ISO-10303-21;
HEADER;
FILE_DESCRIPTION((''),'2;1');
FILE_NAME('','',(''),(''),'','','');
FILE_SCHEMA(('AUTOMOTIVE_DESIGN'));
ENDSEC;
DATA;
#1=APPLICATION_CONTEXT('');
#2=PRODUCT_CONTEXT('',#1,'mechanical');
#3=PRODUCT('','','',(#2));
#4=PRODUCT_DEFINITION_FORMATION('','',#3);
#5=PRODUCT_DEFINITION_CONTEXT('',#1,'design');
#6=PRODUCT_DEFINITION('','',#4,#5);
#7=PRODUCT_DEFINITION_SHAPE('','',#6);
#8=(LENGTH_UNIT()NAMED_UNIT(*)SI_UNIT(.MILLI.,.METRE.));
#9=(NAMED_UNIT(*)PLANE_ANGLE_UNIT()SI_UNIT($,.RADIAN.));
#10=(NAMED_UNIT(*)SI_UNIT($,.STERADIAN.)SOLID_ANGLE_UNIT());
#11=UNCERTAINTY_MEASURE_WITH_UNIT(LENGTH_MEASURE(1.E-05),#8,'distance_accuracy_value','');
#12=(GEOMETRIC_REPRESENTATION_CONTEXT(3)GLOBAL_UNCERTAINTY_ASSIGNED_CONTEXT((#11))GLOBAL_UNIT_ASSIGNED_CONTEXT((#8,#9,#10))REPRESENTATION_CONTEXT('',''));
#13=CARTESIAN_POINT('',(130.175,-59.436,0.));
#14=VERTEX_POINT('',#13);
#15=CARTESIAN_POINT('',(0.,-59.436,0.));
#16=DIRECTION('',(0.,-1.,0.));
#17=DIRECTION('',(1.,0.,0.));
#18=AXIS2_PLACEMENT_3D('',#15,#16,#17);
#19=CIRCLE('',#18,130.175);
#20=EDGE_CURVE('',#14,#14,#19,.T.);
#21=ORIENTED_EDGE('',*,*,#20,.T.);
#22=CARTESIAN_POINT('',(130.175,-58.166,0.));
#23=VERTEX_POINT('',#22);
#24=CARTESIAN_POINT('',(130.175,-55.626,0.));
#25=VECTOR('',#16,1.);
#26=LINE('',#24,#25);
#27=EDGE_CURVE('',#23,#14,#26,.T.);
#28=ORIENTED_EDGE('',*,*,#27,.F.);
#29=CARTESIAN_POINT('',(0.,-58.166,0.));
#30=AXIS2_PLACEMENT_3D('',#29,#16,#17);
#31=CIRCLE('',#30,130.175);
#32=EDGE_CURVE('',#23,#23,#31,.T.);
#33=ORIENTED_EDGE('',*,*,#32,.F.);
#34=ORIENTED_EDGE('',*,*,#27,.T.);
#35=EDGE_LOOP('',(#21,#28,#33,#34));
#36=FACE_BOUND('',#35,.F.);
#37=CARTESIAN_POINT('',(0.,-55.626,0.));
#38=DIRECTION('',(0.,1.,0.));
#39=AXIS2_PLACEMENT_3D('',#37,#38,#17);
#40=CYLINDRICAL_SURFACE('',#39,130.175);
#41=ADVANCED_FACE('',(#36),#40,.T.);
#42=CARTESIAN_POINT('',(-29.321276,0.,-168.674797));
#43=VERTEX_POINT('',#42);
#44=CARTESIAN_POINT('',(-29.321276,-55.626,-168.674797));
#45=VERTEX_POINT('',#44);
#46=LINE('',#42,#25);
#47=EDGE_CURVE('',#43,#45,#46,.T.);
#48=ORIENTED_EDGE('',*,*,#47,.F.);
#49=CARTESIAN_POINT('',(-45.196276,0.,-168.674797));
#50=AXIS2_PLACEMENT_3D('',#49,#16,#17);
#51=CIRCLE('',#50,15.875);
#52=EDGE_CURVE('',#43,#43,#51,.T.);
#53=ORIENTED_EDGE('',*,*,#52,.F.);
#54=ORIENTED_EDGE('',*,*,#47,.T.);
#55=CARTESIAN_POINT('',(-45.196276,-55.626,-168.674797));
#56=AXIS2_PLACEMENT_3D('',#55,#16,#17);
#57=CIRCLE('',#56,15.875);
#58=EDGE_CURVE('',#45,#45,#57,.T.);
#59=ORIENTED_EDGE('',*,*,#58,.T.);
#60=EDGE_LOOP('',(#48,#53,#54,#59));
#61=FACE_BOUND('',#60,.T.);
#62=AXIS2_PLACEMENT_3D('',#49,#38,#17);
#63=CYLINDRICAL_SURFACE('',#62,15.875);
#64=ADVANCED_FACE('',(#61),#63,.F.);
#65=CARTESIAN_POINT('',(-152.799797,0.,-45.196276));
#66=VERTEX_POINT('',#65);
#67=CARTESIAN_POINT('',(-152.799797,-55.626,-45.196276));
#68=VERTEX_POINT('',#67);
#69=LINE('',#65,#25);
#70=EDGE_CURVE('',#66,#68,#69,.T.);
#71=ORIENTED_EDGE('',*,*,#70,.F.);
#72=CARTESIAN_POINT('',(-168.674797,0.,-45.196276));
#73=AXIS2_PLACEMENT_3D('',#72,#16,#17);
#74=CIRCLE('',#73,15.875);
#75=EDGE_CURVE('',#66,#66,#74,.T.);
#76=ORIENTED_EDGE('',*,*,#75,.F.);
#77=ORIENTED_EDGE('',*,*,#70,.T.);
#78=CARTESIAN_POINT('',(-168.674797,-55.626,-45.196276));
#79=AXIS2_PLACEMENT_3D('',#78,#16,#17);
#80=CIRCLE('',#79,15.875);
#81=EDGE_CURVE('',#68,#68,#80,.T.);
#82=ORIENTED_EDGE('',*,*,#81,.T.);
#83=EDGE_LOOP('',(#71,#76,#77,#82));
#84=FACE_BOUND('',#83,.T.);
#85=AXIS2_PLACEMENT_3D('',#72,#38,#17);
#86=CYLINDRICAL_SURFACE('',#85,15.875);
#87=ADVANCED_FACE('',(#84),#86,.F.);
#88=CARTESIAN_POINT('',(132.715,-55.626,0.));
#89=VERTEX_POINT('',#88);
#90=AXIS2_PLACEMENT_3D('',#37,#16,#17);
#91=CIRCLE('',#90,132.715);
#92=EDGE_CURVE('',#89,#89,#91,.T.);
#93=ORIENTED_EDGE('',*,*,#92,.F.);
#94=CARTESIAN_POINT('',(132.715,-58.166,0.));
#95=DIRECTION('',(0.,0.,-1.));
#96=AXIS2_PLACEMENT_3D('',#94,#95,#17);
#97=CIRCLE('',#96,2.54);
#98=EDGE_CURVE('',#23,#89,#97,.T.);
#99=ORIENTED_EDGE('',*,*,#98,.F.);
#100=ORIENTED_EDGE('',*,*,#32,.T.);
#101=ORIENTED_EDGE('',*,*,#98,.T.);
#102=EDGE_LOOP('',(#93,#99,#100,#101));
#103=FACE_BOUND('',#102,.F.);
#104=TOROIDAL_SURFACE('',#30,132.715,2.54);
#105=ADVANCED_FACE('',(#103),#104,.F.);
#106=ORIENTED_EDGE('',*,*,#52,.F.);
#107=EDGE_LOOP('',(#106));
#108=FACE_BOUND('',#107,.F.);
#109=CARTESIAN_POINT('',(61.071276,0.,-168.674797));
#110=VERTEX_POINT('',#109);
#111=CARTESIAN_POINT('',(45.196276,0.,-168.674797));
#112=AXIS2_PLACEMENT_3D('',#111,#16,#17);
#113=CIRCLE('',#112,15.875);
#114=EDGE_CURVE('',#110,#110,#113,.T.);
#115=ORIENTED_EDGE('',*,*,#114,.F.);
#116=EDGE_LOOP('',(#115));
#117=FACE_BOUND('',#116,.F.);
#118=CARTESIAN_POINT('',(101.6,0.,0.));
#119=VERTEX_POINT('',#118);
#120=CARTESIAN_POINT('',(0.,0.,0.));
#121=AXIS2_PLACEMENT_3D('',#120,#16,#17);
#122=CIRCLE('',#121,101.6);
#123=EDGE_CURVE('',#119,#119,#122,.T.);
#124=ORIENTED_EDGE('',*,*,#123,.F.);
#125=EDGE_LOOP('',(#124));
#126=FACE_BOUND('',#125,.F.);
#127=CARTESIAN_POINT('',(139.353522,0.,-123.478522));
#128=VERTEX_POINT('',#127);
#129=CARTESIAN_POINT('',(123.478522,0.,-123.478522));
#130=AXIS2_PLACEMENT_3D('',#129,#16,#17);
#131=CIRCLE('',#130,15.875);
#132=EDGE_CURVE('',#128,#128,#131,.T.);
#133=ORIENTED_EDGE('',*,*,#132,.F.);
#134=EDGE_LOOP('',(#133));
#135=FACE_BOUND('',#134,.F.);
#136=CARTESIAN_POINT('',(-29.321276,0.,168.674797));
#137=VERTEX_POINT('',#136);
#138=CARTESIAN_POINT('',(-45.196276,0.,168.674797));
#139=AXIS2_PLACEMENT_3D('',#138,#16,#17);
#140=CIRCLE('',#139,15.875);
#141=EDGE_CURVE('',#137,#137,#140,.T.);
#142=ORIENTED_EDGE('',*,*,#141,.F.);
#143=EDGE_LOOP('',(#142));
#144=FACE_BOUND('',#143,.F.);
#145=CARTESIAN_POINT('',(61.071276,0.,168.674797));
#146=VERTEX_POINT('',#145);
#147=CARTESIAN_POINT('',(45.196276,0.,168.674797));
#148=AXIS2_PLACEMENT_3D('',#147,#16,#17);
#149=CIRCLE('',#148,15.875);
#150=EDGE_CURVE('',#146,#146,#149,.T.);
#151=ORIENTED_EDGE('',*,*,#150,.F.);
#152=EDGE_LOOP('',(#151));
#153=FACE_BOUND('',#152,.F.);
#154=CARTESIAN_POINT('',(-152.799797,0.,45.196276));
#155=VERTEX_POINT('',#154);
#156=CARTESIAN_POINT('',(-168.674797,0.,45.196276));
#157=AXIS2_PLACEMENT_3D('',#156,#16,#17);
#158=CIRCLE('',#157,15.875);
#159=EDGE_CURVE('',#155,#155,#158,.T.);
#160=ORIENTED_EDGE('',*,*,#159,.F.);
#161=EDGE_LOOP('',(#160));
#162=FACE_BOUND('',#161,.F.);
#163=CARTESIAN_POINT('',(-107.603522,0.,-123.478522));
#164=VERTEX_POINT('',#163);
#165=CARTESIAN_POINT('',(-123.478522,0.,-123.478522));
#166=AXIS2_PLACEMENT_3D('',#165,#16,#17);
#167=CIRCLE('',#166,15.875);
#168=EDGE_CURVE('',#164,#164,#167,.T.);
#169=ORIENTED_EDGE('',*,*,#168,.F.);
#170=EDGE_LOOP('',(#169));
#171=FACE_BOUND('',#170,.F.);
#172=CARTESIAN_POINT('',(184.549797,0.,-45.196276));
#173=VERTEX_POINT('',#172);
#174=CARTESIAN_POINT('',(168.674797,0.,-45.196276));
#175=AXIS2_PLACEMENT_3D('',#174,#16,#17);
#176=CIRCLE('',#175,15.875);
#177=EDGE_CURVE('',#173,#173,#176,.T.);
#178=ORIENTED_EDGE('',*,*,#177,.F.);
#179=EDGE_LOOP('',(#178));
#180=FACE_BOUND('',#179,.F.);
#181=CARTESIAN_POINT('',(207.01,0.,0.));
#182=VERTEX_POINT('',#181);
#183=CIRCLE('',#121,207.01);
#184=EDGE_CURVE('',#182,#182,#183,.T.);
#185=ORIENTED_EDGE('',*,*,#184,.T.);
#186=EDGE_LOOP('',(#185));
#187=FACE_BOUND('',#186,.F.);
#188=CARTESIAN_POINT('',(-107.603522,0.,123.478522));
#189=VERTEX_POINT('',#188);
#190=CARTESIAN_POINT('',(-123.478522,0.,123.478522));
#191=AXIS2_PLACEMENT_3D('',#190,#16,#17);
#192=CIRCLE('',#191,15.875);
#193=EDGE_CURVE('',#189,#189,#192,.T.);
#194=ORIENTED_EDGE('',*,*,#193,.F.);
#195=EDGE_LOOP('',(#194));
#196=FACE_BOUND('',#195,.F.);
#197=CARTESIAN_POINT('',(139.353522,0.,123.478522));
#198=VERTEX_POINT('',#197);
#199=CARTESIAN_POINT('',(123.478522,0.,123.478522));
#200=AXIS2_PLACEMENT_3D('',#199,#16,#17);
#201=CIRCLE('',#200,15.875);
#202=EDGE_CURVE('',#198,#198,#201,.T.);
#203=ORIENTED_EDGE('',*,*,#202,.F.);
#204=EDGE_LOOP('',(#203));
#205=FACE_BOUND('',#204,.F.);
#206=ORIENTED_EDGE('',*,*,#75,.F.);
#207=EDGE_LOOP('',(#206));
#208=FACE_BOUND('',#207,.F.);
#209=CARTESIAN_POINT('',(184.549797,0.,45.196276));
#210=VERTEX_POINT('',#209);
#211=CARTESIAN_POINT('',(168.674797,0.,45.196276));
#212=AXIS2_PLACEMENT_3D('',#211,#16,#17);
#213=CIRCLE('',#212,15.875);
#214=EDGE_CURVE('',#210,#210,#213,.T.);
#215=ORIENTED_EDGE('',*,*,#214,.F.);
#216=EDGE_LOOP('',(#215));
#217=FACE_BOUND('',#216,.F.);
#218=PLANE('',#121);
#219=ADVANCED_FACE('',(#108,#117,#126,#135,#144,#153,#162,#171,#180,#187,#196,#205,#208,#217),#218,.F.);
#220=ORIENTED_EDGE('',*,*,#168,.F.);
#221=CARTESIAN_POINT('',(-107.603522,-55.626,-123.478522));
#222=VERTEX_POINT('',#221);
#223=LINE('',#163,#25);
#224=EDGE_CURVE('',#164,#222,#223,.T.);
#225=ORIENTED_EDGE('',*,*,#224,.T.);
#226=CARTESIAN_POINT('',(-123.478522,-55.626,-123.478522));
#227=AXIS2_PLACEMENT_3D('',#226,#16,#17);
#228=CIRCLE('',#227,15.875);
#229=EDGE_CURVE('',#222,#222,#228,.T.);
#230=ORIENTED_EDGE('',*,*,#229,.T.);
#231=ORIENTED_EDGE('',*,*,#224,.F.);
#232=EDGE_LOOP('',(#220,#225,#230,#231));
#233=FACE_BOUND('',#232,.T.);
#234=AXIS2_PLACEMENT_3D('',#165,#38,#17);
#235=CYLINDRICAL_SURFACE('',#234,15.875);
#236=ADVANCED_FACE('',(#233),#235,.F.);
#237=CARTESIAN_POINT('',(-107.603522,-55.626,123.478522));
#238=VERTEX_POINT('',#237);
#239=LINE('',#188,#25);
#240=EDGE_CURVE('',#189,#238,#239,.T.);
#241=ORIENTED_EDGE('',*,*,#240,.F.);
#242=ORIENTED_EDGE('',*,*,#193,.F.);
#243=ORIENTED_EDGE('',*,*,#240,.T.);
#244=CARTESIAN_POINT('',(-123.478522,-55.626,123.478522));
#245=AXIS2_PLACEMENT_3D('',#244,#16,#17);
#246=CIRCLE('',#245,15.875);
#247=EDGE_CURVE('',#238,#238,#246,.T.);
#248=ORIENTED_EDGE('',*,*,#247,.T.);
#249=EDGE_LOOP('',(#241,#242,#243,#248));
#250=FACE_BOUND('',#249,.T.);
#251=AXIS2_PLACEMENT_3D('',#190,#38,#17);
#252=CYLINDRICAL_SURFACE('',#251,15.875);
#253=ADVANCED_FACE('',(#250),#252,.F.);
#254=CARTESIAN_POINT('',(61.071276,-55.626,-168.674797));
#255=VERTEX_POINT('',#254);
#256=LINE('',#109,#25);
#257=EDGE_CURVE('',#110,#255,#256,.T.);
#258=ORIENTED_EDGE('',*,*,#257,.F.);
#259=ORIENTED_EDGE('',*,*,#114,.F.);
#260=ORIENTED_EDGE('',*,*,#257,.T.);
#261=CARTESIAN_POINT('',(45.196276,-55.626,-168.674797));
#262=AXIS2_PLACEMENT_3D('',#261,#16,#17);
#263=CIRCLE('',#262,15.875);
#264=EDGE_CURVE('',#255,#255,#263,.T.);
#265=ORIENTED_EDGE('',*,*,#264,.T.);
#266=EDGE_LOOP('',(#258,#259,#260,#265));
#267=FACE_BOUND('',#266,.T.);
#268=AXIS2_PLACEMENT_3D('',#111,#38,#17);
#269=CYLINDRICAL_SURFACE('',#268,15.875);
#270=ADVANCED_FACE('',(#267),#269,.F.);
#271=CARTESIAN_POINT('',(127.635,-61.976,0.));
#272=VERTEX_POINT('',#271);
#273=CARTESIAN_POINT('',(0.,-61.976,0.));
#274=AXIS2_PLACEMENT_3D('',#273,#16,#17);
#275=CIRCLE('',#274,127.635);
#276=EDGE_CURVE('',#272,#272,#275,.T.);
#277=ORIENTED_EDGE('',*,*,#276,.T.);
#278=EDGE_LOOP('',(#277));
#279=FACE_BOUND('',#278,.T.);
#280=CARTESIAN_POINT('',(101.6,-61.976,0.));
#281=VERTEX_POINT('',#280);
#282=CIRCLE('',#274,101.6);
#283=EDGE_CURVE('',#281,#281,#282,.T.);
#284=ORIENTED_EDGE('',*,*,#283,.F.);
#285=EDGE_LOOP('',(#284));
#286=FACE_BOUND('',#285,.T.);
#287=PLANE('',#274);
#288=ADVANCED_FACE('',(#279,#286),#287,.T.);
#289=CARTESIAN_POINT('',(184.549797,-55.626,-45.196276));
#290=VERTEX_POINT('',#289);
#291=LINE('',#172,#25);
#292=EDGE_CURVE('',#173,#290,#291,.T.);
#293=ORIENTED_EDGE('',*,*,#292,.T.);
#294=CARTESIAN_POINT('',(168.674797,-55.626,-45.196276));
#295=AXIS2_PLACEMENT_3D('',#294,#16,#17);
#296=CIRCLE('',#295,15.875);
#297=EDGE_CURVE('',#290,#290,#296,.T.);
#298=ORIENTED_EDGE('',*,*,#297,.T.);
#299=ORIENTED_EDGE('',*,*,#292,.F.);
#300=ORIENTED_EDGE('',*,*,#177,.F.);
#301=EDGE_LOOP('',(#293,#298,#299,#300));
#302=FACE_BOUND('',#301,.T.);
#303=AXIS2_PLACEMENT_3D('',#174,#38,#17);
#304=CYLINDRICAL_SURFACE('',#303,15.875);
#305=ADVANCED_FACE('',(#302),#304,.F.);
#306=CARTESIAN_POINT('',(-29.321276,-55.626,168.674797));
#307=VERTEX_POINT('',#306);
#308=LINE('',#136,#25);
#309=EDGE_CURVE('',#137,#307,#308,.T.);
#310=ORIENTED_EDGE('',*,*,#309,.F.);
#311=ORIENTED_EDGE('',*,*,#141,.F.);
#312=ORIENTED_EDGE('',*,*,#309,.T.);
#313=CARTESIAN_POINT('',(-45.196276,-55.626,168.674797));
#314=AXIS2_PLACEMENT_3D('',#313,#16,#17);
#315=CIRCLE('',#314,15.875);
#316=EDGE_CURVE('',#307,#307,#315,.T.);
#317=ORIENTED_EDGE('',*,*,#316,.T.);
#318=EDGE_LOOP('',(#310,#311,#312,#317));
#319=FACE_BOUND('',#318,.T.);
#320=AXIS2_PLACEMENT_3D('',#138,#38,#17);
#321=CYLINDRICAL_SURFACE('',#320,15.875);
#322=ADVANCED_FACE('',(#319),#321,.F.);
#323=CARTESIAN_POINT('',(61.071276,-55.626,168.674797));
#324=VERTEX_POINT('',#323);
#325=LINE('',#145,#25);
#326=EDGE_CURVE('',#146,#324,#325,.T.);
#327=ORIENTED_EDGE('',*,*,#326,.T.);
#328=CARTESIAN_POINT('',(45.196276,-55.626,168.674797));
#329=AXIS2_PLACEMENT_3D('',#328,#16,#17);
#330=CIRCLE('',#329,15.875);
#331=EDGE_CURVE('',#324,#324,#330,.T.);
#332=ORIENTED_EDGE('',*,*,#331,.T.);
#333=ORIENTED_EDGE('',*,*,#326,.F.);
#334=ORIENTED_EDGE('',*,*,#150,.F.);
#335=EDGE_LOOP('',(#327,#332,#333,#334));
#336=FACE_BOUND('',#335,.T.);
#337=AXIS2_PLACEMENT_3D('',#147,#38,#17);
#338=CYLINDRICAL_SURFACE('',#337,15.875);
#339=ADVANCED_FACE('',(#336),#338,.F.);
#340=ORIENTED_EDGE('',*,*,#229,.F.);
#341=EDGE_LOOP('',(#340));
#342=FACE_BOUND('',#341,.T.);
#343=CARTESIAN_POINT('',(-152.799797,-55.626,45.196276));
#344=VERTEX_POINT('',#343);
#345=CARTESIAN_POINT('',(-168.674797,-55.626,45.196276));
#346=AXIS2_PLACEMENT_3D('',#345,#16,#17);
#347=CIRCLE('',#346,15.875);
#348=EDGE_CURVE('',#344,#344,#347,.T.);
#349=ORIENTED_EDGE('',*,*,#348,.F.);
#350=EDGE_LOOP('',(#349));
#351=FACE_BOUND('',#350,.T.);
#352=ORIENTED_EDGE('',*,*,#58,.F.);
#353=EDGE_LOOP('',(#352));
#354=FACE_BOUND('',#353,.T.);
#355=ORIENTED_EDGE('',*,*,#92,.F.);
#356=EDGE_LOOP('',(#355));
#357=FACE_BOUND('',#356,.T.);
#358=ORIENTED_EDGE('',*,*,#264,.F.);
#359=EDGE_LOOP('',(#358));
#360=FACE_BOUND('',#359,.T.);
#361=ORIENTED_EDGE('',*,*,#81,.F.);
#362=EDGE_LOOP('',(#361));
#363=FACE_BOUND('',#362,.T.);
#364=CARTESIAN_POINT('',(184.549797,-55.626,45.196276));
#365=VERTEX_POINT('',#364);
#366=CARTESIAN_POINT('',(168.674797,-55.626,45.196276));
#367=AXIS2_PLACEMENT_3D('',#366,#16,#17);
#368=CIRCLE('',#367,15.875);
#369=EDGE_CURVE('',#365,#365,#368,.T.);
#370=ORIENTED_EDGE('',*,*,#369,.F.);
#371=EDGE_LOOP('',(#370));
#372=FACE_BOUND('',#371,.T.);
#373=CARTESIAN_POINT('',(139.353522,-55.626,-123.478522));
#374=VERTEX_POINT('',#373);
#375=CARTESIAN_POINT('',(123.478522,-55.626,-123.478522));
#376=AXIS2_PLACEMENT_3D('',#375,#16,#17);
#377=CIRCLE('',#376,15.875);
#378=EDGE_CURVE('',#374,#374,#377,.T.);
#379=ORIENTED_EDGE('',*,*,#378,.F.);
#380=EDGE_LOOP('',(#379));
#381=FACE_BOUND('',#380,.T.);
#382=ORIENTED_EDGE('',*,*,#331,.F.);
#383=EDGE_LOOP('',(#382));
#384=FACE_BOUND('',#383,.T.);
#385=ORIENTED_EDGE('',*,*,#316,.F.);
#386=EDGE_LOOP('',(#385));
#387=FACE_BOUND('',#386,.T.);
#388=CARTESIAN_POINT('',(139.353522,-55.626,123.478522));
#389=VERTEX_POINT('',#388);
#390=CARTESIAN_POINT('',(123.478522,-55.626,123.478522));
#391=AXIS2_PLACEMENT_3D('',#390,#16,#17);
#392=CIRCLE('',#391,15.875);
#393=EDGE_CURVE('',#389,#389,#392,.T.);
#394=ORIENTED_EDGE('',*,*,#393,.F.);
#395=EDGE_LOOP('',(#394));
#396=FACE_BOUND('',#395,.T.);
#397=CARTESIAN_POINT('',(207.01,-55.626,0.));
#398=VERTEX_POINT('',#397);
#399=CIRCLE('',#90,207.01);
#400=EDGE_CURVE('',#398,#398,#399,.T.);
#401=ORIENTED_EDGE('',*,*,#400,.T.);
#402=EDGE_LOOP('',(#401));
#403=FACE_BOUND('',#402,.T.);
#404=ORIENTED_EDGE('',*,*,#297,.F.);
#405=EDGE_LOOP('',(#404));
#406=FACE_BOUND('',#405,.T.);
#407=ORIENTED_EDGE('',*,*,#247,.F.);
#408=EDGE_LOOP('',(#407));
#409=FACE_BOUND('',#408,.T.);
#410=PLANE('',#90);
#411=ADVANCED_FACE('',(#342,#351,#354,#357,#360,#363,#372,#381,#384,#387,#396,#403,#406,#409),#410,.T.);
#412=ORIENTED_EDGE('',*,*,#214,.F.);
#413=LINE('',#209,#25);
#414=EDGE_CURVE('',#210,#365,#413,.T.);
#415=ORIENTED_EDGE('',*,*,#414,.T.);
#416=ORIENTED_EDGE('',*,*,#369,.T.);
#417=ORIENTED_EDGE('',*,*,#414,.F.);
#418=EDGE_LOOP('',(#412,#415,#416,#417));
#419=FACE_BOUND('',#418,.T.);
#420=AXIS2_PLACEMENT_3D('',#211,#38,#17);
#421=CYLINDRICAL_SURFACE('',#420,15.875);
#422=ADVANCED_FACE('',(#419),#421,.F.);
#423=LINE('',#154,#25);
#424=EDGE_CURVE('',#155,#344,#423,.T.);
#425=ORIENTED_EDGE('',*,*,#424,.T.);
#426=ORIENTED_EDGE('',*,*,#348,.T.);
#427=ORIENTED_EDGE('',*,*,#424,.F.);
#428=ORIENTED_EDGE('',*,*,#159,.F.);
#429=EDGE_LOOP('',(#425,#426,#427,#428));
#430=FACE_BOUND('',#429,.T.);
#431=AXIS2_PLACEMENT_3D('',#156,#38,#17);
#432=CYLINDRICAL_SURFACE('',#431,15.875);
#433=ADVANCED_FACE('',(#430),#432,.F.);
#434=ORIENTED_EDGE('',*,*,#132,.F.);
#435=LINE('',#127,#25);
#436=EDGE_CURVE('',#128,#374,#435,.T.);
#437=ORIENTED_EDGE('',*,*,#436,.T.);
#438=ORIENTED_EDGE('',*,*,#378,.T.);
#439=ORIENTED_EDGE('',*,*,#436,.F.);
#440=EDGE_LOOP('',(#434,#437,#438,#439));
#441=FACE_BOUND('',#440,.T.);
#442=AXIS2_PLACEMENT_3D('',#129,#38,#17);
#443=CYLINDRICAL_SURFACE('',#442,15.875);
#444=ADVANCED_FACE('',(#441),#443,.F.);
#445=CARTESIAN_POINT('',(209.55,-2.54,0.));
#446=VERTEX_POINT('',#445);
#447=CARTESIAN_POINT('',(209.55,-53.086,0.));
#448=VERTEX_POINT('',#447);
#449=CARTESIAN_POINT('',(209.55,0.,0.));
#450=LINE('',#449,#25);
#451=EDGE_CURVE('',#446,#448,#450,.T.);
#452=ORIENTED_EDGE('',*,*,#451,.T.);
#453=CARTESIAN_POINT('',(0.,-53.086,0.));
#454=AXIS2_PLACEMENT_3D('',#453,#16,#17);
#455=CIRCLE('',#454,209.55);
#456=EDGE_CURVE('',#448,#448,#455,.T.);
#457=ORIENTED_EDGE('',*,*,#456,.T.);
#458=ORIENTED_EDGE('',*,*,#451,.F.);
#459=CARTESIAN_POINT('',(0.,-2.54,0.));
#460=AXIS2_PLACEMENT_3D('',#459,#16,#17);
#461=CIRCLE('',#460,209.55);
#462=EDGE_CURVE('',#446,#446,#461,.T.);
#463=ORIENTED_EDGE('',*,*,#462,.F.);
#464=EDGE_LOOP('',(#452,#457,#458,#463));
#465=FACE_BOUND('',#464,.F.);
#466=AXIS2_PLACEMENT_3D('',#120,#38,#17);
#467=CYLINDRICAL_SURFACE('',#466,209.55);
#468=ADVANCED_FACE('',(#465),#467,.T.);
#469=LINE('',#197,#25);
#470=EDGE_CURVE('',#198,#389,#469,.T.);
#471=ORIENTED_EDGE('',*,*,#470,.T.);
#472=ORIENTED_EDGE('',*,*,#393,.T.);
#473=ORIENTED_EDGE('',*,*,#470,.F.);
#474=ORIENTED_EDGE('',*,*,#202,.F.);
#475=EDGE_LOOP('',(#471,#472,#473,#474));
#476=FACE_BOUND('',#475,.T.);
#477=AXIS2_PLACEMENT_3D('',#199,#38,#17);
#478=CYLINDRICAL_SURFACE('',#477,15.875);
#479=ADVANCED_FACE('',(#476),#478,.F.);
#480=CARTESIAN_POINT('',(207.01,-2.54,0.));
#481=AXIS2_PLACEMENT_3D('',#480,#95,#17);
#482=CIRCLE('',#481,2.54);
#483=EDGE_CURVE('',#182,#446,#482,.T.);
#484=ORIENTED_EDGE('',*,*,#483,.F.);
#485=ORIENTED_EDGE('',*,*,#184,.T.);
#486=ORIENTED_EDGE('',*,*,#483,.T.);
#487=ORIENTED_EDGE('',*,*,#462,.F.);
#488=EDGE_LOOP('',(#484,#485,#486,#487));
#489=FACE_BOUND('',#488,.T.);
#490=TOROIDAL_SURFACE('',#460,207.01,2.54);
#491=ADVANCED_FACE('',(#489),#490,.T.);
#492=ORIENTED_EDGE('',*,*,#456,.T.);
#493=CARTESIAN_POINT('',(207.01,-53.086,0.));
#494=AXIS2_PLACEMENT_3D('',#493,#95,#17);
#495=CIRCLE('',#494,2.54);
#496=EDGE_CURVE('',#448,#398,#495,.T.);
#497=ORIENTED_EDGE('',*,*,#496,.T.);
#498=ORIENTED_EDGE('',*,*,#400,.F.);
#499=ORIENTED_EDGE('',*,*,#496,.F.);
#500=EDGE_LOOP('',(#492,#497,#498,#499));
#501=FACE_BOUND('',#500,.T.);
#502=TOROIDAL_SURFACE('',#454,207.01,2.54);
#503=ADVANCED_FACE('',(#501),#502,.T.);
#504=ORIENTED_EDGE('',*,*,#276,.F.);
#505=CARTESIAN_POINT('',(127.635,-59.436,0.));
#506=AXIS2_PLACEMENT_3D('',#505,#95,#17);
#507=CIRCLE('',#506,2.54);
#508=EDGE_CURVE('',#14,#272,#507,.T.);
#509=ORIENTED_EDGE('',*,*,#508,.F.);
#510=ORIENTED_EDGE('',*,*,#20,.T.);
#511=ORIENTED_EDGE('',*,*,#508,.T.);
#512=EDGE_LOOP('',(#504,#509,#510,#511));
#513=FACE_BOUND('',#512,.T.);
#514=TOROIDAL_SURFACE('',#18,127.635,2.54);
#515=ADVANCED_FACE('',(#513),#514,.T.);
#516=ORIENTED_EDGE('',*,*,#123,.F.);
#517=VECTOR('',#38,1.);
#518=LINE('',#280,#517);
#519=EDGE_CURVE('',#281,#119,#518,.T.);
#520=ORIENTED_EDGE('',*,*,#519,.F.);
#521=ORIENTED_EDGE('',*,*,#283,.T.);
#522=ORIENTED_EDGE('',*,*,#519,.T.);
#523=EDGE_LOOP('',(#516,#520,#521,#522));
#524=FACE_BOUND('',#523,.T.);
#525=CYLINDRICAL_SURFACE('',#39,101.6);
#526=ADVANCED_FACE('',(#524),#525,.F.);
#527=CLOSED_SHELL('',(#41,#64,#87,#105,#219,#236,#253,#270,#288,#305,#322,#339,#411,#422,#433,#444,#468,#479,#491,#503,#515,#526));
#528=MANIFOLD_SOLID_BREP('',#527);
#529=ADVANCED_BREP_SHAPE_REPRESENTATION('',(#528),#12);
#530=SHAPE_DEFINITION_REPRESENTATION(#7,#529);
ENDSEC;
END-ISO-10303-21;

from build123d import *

# Parameters (mm, degrees)
F0_R     = 209.55
F0_R_2   = 15.875
F0_R_3   = 101.6
F1_DEPTH = 55.626
F2_R     = 130.175
F2_R_2   = 101.6
F3_DEPTH = 6.35
F4_R     = 2.54


with BuildPart() as f1:
    # F0 (on Front) → F1 (new body)
    with BuildSketch(Plane.XZ):
        Circle(F0_R)
        with Locations((-123.478522, -123.478522)):
            Circle(F0_R_2, mode=Mode.SUBTRACT)
        with Locations((-45.196276, -168.674797)):
            Circle(F0_R_2, mode=Mode.SUBTRACT)
        with Locations((-168.674797, -45.196276)):
            Circle(F0_R_2, mode=Mode.SUBTRACT)
        with Locations((45.196276, -168.674797)):
            Circle(F0_R_2, mode=Mode.SUBTRACT)
        with Locations((123.478522, -123.478522)):
            Circle(F0_R_2, mode=Mode.SUBTRACT)
        with Locations((168.674797, -45.196276)):
            Circle(F0_R_2, mode=Mode.SUBTRACT)
        with Locations((-168.674797, 45.196276)):
            Circle(F0_R_2, mode=Mode.SUBTRACT)
        with Locations((-123.478522, 123.478522)):
            Circle(F0_R_2, mode=Mode.SUBTRACT)
        with Locations((-45.196276, 168.674797)):
            Circle(F0_R_2, mode=Mode.SUBTRACT)
        Circle(F0_R_3, mode=Mode.SUBTRACT)
        with Locations((168.674797, 45.196276)):
            Circle(F0_R_2, mode=Mode.SUBTRACT)
        with Locations((45.196276, 168.674797)):
            Circle(F0_R_2, mode=Mode.SUBTRACT)
        with Locations((123.478522, 123.478522)):
            Circle(F0_R_2, mode=Mode.SUBTRACT)
    extrude(amount=F1_DEPTH)

    # F2 (on face) → F3 (join)
    with BuildSketch(Plane.XZ.offset(55.626)):
        Circle(F2_R)
        Circle(F2_R_2, mode=Mode.SUBTRACT)
    extrude(amount=F3_DEPTH)

    # F4
    f4_edges = [f1.edges().sort_by_distance(p)[0] for p in [
        (-209.55, -55.626, 0),
        (-209.55, 0, 0),
        (-130.175, -61.976, 0),
        (-130.175, -55.626, 0),
    ]]
    fillet(f4_edges, radius=F4_R)


solid = f1.part
